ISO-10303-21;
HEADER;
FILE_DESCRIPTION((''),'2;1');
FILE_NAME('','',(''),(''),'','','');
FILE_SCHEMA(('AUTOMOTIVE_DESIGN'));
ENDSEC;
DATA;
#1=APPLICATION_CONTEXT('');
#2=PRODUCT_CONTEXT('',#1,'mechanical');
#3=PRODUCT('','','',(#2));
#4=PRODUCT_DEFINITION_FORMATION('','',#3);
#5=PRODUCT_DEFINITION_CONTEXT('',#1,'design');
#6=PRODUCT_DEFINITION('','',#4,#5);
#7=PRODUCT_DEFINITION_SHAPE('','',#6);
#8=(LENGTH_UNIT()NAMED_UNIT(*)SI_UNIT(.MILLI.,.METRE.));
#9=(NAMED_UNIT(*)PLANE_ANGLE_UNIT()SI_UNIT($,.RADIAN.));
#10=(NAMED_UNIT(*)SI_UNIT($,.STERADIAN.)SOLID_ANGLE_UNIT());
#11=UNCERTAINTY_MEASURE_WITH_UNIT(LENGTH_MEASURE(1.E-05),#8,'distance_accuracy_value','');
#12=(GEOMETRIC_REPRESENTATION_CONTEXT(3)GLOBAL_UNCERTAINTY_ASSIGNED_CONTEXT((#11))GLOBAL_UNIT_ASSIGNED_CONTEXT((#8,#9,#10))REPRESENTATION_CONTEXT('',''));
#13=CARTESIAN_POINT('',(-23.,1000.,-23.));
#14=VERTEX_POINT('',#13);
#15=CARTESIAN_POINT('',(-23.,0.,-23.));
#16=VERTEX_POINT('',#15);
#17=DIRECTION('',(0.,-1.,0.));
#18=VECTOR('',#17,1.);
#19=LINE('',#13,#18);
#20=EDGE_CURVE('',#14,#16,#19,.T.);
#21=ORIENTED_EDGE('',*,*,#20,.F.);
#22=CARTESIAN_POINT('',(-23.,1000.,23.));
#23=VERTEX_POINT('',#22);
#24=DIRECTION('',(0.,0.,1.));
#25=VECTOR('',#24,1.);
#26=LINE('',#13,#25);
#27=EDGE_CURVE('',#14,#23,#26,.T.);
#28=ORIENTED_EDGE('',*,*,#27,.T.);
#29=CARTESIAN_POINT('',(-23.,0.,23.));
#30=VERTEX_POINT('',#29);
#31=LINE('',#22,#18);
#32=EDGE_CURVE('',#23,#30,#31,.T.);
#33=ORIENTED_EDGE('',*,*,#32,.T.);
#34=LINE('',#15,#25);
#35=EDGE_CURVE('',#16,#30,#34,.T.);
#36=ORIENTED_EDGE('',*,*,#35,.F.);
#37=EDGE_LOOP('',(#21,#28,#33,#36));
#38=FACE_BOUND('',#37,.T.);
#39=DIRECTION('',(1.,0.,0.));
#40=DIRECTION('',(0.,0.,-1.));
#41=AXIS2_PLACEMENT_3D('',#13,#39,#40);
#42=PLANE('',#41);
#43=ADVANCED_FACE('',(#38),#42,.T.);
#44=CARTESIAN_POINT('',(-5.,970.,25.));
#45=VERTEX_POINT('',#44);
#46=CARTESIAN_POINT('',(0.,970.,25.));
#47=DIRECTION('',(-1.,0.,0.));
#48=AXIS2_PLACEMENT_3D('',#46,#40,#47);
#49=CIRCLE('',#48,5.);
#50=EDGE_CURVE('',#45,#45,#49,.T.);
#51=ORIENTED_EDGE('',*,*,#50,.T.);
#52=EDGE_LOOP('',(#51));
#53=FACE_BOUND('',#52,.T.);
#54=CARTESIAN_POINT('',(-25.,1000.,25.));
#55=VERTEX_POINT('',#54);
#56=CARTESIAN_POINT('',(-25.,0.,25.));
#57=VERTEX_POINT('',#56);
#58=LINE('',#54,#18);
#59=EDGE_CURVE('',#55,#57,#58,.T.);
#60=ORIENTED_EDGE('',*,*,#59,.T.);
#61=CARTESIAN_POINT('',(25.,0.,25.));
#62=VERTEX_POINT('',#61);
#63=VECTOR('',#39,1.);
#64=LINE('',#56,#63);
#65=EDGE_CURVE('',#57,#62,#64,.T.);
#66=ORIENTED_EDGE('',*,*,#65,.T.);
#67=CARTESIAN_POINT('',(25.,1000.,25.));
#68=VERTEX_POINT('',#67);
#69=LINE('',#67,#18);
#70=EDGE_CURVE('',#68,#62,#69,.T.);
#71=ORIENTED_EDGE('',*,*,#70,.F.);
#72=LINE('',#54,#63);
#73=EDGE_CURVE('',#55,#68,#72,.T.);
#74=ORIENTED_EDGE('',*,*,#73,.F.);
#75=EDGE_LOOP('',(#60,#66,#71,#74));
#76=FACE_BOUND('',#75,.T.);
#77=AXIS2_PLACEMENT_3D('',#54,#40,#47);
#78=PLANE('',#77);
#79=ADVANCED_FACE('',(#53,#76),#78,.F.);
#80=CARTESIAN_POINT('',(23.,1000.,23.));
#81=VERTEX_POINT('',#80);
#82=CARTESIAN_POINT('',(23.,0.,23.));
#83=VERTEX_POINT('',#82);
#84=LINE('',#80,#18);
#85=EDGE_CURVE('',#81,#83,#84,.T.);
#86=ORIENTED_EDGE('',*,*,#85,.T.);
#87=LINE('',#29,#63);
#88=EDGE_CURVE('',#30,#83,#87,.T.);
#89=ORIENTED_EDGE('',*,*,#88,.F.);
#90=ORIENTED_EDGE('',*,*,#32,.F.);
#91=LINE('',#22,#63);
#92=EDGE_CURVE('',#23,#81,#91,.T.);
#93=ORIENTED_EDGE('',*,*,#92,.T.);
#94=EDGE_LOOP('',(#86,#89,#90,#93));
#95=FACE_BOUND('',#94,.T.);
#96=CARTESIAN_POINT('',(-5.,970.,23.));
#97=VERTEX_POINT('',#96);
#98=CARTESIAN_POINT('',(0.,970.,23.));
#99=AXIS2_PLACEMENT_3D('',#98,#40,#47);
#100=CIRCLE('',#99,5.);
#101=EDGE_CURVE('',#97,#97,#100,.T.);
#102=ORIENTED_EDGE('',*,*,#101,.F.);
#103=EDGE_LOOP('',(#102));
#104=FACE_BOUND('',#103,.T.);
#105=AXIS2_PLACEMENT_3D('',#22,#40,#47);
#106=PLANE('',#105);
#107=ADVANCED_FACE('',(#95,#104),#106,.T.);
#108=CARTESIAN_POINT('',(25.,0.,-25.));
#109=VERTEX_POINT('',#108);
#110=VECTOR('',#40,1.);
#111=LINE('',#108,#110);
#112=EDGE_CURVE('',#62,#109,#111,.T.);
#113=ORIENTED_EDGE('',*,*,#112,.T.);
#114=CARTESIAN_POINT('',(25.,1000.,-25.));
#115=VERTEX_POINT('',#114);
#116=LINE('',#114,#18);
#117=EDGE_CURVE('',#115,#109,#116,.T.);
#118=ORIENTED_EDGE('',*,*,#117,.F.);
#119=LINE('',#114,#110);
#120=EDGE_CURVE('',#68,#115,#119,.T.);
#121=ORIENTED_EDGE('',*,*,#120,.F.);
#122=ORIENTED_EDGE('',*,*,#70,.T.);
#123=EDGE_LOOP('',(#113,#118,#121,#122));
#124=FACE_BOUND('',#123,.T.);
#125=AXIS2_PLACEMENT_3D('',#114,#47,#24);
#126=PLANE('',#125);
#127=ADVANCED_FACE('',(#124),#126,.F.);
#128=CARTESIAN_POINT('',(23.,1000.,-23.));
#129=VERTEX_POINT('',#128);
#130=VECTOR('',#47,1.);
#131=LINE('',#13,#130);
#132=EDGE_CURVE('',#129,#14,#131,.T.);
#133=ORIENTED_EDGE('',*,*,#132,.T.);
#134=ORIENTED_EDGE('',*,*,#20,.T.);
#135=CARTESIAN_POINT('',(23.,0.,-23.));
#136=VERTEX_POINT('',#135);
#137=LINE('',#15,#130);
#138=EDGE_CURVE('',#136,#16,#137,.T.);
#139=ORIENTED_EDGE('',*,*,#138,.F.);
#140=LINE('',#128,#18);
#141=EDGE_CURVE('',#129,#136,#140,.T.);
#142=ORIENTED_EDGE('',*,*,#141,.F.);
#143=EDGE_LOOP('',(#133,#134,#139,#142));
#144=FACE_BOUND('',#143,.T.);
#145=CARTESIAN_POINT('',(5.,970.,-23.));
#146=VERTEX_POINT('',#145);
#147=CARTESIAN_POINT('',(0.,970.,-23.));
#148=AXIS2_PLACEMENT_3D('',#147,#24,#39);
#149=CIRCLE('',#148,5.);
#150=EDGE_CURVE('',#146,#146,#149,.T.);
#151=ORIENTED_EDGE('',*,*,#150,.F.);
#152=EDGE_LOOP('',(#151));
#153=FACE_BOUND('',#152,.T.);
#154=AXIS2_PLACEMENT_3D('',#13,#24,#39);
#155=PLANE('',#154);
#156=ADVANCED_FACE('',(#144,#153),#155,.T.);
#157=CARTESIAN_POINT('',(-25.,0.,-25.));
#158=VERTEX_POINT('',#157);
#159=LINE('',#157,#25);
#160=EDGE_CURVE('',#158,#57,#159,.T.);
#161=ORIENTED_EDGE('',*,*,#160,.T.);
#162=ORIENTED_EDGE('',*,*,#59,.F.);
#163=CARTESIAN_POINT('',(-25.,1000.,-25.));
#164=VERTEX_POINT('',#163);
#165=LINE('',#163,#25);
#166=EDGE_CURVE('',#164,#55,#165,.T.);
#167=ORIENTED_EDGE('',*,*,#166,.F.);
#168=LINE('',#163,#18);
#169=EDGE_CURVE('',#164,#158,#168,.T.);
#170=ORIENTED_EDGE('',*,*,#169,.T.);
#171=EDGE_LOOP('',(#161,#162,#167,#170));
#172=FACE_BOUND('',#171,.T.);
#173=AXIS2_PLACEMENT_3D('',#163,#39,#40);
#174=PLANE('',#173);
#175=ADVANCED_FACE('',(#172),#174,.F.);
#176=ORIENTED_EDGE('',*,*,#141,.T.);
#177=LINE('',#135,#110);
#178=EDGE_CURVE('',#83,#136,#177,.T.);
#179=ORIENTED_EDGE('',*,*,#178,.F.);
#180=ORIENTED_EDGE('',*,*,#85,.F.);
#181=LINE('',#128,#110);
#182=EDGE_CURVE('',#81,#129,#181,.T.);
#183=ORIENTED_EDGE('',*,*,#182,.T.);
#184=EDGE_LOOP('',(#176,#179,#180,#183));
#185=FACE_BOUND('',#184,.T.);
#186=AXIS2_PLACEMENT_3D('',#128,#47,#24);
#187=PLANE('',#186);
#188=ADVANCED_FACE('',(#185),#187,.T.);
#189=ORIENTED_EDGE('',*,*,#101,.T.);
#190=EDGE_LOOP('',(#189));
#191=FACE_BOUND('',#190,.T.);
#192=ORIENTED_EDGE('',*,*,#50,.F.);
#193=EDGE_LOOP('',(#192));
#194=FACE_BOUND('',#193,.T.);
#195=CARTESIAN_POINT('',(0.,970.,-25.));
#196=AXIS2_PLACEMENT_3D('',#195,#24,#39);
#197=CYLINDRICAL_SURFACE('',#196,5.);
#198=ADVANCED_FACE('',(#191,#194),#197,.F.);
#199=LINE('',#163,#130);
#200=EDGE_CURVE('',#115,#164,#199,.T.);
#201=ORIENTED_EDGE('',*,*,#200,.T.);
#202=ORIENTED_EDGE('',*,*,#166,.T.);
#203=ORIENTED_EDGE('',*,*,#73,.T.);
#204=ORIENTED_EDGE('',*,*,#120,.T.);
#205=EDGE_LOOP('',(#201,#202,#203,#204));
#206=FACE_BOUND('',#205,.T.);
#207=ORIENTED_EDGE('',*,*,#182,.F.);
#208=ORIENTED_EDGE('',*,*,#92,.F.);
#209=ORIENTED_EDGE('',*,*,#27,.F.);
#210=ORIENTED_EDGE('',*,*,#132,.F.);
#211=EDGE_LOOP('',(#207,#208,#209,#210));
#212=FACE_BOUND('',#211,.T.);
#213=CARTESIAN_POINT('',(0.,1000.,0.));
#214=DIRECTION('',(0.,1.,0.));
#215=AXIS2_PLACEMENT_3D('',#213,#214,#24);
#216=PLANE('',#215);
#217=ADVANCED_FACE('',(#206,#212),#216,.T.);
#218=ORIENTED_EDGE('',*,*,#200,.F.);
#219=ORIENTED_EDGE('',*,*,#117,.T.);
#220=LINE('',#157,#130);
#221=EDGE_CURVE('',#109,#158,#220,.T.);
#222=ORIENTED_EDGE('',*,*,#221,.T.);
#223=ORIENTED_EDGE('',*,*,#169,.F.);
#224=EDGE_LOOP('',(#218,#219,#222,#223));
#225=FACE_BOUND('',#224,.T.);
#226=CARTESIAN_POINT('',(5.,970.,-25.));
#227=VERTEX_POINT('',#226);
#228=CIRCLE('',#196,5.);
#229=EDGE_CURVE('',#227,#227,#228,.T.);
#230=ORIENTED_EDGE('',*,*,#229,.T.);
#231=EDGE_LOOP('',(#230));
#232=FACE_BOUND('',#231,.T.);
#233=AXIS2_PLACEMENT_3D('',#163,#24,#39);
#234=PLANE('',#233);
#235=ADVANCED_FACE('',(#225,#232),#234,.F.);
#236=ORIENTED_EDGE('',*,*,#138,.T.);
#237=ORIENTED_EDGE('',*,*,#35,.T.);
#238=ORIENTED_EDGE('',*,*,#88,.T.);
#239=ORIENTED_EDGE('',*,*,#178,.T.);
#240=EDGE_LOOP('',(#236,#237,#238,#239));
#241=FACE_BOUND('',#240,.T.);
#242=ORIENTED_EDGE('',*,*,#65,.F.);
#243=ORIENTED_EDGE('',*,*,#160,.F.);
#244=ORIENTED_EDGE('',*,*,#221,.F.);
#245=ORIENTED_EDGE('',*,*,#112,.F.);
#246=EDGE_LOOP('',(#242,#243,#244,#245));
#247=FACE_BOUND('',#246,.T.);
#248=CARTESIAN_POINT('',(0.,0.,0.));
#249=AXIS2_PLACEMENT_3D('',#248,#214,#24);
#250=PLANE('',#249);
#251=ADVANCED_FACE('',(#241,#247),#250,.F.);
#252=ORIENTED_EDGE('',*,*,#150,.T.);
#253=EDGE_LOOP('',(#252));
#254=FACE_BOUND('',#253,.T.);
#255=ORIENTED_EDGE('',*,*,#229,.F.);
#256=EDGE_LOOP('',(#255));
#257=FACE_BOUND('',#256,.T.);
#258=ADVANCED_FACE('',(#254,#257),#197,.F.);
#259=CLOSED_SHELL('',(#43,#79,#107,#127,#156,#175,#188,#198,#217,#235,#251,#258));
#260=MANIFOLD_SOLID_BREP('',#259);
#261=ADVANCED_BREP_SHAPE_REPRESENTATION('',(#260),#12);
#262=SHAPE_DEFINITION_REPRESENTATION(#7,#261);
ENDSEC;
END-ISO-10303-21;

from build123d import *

# Parameters (mm, degrees)
ESBO_O1_W                  = 50
ESBO_O1_H                  = 50
ESBO_O1_W_2                = 46
ESBO_O1_H_2                = 46
RESSALTO_EXTRUS_O1_DEPTH   = 1000
CORTE_EXTRUS_O1_DEPTH      = 1002.561281201
CORTE_EXTRUS_O1_DEPTH_BACK = 1002.561281201
ESBO_O2_R                  = 5


with BuildPart() as part:
    # Esboço1 → Ressalto-extrusão1 (new body)
    with BuildSketch(Plane(origin=(0, 0, 0), x_dir=(1, 0, 0), z_dir=(0, 1, 0))):
        Rectangle(ESBO_O1_W, ESBO_O1_H)
        Rectangle(ESBO_O1_W_2, ESBO_O1_H_2, mode=Mode.SUBTRACT)
    extrude(amount=RESSALTO_EXTRUS_O1_DEPTH)

    # Esboço2 → Corte-extrusão1 (cut, two sides: drawn at the far end of the back side and taken through both)
    with BuildSketch(Plane.XY.offset(25).offset(-CORTE_EXTRUS_O1_DEPTH_BACK)):
        with Locations(Location((0, 970, 0), (0, 0, 180))):
            Circle(ESBO_O2_R)
    extrude(amount=CORTE_EXTRUS_O1_DEPTH + CORTE_EXTRUS_O1_DEPTH_BACK, mode=Mode.SUBTRACT)


solid = part.part
